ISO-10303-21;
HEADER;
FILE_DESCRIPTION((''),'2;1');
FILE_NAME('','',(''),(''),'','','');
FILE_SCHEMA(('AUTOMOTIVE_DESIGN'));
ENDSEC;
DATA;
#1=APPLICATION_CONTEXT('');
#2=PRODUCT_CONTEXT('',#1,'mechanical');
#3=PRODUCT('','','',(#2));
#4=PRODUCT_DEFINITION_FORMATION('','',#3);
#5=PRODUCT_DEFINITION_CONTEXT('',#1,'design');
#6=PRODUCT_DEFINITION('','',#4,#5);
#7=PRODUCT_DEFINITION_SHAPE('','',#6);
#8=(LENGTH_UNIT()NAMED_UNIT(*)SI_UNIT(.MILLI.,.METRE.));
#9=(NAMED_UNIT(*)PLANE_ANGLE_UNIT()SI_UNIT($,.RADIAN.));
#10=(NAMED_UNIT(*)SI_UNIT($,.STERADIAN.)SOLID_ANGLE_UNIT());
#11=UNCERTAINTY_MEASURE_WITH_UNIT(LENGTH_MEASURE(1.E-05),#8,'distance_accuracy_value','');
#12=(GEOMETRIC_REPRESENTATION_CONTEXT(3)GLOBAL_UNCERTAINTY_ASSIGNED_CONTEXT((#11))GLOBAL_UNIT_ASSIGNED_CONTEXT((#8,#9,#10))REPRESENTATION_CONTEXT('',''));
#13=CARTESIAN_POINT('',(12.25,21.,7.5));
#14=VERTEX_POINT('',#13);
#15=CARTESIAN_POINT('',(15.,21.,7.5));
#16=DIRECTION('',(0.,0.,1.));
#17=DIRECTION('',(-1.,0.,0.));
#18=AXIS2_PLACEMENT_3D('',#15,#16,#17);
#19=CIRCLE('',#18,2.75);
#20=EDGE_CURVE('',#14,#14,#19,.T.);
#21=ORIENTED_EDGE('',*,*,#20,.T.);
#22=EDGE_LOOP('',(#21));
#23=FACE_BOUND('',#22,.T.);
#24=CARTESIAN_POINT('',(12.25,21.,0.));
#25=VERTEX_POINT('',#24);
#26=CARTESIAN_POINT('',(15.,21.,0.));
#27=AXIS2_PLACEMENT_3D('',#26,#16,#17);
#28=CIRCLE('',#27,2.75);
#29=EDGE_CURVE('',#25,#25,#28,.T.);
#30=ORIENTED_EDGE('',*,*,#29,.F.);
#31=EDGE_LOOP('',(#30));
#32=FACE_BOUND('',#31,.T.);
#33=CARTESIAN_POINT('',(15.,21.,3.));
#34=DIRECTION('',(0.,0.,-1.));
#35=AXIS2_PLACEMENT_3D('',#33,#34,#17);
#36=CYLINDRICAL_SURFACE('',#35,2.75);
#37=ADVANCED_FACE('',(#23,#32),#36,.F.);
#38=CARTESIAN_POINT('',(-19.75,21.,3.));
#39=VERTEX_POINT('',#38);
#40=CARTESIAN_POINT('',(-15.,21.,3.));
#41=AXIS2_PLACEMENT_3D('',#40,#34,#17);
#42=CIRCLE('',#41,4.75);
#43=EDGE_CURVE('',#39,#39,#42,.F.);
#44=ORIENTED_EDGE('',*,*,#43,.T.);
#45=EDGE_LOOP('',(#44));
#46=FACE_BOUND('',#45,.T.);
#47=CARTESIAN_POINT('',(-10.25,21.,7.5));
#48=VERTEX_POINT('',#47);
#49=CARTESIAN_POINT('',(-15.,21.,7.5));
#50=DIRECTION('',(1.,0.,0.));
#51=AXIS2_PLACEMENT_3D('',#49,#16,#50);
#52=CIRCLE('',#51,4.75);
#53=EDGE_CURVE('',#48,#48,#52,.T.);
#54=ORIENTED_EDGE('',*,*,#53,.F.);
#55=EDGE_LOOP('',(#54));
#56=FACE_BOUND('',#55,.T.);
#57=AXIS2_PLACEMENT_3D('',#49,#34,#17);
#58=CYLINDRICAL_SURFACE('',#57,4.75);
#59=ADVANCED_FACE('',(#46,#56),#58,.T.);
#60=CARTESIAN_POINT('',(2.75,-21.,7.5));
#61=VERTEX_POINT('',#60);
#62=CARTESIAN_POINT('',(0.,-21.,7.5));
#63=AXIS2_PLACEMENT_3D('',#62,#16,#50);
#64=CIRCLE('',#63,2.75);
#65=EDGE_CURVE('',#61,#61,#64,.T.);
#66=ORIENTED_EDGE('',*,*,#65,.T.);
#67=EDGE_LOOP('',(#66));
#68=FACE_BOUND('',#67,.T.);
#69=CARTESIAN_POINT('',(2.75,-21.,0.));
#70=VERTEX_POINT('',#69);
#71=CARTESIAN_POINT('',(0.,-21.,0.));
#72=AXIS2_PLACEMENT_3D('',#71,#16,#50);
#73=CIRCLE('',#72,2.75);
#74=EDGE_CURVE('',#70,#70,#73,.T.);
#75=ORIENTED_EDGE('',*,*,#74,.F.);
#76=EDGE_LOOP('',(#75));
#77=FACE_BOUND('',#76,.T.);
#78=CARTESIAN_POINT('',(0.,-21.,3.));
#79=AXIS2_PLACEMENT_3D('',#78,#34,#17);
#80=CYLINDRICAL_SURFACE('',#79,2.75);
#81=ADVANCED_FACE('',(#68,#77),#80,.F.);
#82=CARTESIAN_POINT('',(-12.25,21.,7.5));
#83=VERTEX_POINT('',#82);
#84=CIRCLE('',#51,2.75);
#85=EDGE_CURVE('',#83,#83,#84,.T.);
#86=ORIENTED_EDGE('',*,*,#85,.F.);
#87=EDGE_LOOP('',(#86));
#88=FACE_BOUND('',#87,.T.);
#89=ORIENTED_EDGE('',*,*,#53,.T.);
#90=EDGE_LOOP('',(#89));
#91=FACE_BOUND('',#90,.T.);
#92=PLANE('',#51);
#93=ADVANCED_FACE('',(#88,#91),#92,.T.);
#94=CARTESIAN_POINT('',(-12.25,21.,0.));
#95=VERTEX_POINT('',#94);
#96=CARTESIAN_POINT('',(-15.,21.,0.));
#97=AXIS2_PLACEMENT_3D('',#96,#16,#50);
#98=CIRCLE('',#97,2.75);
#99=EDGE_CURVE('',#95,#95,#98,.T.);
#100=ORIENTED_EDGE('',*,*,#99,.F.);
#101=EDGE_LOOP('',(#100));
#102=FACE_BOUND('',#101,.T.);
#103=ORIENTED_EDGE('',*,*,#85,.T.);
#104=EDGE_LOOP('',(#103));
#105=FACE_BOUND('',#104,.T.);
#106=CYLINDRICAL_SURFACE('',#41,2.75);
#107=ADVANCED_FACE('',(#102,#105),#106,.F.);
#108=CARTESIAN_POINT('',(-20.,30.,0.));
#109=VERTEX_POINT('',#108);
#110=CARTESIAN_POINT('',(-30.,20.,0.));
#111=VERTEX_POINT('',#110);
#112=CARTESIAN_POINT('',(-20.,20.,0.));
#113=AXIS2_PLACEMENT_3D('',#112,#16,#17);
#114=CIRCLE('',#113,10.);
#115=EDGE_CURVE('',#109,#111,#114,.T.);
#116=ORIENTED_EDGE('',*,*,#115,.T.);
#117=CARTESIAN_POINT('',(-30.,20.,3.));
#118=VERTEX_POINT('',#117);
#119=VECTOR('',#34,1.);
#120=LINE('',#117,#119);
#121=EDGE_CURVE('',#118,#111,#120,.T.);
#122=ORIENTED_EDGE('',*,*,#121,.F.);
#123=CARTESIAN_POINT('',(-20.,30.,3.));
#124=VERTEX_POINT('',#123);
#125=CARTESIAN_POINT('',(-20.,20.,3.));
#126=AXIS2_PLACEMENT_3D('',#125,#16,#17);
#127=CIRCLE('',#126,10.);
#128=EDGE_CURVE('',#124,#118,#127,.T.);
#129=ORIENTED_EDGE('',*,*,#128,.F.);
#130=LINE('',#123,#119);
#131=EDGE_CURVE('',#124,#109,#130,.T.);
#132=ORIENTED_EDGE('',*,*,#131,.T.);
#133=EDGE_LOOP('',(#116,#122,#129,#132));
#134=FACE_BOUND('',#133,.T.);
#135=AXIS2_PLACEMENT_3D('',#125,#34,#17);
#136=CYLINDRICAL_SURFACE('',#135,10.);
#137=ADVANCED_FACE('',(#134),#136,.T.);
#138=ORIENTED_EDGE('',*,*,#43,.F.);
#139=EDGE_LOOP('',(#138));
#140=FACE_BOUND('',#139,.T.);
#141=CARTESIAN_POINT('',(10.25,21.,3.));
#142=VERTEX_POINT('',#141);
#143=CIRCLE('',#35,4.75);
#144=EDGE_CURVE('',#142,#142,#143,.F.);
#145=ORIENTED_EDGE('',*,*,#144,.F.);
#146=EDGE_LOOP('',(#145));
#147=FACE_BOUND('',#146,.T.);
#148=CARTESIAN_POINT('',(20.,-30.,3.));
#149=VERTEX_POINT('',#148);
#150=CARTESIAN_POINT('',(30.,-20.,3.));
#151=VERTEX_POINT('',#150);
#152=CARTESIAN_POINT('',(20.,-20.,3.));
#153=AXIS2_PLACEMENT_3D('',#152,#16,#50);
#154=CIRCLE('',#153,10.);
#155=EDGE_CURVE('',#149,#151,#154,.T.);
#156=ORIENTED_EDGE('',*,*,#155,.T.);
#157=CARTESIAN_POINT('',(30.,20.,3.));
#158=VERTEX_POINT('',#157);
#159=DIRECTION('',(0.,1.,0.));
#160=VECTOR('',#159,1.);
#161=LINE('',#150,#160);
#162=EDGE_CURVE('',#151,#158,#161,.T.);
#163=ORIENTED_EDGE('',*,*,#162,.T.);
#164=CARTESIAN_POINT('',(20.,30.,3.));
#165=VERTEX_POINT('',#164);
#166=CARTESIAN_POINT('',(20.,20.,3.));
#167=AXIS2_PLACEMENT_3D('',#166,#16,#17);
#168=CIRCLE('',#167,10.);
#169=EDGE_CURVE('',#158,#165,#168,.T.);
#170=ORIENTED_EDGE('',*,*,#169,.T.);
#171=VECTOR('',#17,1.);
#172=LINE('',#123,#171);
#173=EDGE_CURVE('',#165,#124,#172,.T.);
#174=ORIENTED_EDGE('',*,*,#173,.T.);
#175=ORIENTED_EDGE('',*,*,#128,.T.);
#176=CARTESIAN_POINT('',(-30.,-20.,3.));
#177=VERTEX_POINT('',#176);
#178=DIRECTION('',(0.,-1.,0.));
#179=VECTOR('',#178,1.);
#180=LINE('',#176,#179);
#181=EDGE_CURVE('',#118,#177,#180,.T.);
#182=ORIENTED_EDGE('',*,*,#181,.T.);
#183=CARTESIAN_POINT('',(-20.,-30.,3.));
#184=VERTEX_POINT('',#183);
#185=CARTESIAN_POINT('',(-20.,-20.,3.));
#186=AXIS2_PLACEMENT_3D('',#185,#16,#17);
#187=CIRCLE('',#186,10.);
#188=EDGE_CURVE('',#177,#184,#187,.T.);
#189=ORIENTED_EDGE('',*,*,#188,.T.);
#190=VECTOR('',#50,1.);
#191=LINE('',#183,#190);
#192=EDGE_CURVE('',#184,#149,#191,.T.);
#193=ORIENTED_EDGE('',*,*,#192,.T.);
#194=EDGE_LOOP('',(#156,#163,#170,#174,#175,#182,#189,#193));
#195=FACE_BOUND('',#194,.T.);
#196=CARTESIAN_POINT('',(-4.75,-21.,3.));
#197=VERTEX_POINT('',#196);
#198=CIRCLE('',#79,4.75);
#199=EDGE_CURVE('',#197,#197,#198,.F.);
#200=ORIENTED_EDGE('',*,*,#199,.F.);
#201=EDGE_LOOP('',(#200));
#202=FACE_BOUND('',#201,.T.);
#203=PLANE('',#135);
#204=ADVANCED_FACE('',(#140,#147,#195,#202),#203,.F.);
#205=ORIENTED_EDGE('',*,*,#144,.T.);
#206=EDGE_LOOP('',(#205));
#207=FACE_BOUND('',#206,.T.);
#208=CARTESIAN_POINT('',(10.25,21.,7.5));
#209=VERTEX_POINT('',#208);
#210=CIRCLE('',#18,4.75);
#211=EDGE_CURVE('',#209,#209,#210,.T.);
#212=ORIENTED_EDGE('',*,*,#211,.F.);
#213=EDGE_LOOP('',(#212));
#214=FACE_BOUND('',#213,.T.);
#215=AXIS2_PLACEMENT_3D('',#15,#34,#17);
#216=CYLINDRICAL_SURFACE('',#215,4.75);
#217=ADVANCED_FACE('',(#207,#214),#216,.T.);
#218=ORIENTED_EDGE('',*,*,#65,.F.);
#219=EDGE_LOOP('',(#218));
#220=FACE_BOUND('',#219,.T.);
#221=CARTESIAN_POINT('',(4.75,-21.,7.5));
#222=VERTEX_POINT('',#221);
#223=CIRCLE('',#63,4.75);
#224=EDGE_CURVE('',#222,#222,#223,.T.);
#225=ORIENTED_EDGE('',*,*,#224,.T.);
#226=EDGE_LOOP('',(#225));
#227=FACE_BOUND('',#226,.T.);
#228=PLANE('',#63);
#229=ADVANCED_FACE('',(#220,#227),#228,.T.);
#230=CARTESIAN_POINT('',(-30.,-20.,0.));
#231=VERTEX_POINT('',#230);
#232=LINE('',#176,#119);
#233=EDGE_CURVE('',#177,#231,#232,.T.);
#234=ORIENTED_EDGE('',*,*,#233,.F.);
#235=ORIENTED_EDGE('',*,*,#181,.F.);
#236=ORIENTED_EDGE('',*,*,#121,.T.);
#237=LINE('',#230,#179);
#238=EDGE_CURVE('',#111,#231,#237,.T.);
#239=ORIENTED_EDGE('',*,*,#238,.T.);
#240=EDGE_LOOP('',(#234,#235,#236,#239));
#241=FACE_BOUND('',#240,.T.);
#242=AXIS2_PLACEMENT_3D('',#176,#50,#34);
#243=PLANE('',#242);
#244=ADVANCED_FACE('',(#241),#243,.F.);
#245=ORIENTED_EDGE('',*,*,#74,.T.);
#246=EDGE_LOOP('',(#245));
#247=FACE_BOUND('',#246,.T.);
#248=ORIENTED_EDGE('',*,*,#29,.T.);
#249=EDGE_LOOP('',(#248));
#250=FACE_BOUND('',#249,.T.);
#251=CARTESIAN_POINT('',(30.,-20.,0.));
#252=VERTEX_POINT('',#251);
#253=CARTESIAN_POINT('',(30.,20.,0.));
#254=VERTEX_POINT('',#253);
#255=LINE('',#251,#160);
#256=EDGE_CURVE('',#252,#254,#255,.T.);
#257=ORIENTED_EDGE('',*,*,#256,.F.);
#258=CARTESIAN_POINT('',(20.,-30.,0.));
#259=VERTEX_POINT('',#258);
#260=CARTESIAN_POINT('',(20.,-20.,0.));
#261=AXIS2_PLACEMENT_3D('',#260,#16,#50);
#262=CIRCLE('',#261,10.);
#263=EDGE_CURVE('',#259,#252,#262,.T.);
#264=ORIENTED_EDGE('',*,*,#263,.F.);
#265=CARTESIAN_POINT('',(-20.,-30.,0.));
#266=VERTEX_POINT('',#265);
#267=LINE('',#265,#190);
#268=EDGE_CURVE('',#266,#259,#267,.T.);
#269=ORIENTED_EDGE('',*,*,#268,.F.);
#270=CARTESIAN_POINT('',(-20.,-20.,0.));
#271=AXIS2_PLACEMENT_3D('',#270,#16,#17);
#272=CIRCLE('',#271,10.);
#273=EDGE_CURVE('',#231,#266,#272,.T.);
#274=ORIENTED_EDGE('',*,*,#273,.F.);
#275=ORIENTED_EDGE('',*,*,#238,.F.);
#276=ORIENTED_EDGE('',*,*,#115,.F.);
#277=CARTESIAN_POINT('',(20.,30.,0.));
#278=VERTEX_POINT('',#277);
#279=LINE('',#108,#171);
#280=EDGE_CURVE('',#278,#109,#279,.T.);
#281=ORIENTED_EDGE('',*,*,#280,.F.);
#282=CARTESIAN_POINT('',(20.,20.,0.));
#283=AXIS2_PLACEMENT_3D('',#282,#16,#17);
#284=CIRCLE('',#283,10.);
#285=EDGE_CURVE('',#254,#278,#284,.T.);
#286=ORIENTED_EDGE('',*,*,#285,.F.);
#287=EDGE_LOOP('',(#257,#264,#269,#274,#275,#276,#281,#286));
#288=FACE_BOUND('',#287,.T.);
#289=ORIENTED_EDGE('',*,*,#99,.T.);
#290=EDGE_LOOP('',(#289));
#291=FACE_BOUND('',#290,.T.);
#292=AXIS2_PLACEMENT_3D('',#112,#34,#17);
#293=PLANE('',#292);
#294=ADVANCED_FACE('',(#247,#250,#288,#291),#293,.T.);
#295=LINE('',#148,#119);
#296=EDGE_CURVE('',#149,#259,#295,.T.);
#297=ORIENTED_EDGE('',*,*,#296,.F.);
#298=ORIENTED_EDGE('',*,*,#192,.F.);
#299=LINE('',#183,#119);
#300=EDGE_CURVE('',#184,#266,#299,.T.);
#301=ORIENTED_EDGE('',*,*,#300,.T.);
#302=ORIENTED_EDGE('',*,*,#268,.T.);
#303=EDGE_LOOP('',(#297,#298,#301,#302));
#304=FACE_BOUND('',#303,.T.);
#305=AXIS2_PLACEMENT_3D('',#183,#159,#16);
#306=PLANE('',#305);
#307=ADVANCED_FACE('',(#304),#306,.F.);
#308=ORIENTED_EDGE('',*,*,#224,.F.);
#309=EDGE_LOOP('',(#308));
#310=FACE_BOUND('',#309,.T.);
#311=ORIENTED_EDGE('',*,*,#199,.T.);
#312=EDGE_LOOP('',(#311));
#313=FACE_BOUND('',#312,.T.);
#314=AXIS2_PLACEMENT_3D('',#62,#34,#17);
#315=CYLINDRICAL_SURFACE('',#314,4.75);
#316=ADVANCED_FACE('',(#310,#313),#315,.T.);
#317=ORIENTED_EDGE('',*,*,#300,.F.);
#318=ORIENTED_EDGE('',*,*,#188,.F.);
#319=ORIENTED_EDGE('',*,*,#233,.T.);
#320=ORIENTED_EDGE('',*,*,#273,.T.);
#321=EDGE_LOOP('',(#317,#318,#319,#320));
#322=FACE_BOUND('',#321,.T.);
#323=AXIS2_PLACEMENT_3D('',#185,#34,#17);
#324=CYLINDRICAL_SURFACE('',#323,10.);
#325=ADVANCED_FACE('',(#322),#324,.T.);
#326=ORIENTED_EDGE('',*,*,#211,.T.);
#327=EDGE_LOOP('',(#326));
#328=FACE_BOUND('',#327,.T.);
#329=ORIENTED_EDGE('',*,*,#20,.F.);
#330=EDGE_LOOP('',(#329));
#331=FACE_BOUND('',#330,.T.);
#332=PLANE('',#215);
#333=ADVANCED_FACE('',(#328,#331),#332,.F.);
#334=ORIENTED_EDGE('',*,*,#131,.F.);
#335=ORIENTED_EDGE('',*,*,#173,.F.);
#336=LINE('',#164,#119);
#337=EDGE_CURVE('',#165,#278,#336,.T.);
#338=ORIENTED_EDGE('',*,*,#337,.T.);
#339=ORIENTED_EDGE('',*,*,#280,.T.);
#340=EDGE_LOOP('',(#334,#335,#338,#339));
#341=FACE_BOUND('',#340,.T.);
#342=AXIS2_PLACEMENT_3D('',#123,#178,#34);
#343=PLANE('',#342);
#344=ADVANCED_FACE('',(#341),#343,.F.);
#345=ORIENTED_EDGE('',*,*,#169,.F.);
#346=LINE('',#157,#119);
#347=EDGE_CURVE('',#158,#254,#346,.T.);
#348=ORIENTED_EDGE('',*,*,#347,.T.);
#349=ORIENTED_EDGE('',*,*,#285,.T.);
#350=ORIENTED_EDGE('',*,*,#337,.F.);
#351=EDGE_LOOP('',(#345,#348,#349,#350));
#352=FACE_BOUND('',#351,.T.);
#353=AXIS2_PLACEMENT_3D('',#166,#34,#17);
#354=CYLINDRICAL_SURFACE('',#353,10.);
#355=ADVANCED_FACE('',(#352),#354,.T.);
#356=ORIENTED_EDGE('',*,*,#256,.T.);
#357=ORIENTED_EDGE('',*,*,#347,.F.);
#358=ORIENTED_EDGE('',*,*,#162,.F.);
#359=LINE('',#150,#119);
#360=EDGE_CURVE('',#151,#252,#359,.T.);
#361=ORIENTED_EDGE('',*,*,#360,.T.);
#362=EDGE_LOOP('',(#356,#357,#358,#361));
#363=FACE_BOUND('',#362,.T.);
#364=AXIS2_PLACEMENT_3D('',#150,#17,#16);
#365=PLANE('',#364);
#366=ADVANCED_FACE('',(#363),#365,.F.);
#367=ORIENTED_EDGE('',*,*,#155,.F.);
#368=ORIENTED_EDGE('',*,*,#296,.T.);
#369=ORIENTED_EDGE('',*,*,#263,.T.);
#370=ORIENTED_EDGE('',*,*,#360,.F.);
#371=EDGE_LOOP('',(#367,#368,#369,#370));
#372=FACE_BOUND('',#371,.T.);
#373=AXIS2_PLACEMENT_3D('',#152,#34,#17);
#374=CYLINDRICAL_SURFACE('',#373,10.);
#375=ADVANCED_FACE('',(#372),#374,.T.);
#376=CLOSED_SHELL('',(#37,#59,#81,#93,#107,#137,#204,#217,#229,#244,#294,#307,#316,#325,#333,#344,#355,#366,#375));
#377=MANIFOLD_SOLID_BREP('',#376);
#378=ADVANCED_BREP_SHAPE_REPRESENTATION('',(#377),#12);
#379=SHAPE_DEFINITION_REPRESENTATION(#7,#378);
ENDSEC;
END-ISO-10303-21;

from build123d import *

# Parameters (mm, degrees)
SKETCH1_R           = 2.75
BOSS_EXTRUDE1_DEPTH = 3
SKETCH6_R           = 4.75
SKETCH6_R_2         = 2.75
BOSS_EXTRUDE3_DEPTH = 4.5


with BuildPart() as part:
    # Sketch1 → Boss-Extrude1 (new body)
    with BuildSketch(Plane.XY):
        with BuildLine():
            Line((-20, -30), (20, -30))
            ThreePointArc((20, -30), (27.071067812, -27.071067812), (30, -20))
            Line((30, -20), (30, 20))
            ThreePointArc((30, 20), (27.071067812, 27.071067812), (20, 30))
            Line((20, 30), (-20, 30))
            ThreePointArc((-20, 30), (-27.071067812, 27.071067812), (-30, 20))
            Line((-30, 20), (-30, -20))
            ThreePointArc((-30, -20), (-27.071067812, -27.071067812), (-20, -30))
        make_face()
        with Locations((-15, 21)):
            Circle(SKETCH1_R, mode=Mode.SUBTRACT)
        with Locations((0, -21)):
            Circle(SKETCH1_R, mode=Mode.SUBTRACT)
        with Locations((15, 21)):
            Circle(SKETCH1_R, mode=Mode.SUBTRACT)
    extrude(amount=BOSS_EXTRUDE1_DEPTH)

    # Sketch6 → Boss-Extrude3 (add)
    with BuildSketch(Plane.XY.offset(3)):
        with Locations((-15, 21)):
            Circle(SKETCH6_R)
        with Locations((-15, 21)):
            Circle(SKETCH6_R_2, mode=Mode.SUBTRACT)
        with Locations((0, -21)):
            Circle(SKETCH6_R)
        with Locations((0, -21)):
            Circle(SKETCH6_R_2, mode=Mode.SUBTRACT)
        with Locations((15, 21)):
            Circle(SKETCH6_R)
        with Locations((15, 21)):
            Circle(SKETCH6_R_2, mode=Mode.SUBTRACT)
    extrude(amount=BOSS_EXTRUDE3_DEPTH)


solid = part.part
